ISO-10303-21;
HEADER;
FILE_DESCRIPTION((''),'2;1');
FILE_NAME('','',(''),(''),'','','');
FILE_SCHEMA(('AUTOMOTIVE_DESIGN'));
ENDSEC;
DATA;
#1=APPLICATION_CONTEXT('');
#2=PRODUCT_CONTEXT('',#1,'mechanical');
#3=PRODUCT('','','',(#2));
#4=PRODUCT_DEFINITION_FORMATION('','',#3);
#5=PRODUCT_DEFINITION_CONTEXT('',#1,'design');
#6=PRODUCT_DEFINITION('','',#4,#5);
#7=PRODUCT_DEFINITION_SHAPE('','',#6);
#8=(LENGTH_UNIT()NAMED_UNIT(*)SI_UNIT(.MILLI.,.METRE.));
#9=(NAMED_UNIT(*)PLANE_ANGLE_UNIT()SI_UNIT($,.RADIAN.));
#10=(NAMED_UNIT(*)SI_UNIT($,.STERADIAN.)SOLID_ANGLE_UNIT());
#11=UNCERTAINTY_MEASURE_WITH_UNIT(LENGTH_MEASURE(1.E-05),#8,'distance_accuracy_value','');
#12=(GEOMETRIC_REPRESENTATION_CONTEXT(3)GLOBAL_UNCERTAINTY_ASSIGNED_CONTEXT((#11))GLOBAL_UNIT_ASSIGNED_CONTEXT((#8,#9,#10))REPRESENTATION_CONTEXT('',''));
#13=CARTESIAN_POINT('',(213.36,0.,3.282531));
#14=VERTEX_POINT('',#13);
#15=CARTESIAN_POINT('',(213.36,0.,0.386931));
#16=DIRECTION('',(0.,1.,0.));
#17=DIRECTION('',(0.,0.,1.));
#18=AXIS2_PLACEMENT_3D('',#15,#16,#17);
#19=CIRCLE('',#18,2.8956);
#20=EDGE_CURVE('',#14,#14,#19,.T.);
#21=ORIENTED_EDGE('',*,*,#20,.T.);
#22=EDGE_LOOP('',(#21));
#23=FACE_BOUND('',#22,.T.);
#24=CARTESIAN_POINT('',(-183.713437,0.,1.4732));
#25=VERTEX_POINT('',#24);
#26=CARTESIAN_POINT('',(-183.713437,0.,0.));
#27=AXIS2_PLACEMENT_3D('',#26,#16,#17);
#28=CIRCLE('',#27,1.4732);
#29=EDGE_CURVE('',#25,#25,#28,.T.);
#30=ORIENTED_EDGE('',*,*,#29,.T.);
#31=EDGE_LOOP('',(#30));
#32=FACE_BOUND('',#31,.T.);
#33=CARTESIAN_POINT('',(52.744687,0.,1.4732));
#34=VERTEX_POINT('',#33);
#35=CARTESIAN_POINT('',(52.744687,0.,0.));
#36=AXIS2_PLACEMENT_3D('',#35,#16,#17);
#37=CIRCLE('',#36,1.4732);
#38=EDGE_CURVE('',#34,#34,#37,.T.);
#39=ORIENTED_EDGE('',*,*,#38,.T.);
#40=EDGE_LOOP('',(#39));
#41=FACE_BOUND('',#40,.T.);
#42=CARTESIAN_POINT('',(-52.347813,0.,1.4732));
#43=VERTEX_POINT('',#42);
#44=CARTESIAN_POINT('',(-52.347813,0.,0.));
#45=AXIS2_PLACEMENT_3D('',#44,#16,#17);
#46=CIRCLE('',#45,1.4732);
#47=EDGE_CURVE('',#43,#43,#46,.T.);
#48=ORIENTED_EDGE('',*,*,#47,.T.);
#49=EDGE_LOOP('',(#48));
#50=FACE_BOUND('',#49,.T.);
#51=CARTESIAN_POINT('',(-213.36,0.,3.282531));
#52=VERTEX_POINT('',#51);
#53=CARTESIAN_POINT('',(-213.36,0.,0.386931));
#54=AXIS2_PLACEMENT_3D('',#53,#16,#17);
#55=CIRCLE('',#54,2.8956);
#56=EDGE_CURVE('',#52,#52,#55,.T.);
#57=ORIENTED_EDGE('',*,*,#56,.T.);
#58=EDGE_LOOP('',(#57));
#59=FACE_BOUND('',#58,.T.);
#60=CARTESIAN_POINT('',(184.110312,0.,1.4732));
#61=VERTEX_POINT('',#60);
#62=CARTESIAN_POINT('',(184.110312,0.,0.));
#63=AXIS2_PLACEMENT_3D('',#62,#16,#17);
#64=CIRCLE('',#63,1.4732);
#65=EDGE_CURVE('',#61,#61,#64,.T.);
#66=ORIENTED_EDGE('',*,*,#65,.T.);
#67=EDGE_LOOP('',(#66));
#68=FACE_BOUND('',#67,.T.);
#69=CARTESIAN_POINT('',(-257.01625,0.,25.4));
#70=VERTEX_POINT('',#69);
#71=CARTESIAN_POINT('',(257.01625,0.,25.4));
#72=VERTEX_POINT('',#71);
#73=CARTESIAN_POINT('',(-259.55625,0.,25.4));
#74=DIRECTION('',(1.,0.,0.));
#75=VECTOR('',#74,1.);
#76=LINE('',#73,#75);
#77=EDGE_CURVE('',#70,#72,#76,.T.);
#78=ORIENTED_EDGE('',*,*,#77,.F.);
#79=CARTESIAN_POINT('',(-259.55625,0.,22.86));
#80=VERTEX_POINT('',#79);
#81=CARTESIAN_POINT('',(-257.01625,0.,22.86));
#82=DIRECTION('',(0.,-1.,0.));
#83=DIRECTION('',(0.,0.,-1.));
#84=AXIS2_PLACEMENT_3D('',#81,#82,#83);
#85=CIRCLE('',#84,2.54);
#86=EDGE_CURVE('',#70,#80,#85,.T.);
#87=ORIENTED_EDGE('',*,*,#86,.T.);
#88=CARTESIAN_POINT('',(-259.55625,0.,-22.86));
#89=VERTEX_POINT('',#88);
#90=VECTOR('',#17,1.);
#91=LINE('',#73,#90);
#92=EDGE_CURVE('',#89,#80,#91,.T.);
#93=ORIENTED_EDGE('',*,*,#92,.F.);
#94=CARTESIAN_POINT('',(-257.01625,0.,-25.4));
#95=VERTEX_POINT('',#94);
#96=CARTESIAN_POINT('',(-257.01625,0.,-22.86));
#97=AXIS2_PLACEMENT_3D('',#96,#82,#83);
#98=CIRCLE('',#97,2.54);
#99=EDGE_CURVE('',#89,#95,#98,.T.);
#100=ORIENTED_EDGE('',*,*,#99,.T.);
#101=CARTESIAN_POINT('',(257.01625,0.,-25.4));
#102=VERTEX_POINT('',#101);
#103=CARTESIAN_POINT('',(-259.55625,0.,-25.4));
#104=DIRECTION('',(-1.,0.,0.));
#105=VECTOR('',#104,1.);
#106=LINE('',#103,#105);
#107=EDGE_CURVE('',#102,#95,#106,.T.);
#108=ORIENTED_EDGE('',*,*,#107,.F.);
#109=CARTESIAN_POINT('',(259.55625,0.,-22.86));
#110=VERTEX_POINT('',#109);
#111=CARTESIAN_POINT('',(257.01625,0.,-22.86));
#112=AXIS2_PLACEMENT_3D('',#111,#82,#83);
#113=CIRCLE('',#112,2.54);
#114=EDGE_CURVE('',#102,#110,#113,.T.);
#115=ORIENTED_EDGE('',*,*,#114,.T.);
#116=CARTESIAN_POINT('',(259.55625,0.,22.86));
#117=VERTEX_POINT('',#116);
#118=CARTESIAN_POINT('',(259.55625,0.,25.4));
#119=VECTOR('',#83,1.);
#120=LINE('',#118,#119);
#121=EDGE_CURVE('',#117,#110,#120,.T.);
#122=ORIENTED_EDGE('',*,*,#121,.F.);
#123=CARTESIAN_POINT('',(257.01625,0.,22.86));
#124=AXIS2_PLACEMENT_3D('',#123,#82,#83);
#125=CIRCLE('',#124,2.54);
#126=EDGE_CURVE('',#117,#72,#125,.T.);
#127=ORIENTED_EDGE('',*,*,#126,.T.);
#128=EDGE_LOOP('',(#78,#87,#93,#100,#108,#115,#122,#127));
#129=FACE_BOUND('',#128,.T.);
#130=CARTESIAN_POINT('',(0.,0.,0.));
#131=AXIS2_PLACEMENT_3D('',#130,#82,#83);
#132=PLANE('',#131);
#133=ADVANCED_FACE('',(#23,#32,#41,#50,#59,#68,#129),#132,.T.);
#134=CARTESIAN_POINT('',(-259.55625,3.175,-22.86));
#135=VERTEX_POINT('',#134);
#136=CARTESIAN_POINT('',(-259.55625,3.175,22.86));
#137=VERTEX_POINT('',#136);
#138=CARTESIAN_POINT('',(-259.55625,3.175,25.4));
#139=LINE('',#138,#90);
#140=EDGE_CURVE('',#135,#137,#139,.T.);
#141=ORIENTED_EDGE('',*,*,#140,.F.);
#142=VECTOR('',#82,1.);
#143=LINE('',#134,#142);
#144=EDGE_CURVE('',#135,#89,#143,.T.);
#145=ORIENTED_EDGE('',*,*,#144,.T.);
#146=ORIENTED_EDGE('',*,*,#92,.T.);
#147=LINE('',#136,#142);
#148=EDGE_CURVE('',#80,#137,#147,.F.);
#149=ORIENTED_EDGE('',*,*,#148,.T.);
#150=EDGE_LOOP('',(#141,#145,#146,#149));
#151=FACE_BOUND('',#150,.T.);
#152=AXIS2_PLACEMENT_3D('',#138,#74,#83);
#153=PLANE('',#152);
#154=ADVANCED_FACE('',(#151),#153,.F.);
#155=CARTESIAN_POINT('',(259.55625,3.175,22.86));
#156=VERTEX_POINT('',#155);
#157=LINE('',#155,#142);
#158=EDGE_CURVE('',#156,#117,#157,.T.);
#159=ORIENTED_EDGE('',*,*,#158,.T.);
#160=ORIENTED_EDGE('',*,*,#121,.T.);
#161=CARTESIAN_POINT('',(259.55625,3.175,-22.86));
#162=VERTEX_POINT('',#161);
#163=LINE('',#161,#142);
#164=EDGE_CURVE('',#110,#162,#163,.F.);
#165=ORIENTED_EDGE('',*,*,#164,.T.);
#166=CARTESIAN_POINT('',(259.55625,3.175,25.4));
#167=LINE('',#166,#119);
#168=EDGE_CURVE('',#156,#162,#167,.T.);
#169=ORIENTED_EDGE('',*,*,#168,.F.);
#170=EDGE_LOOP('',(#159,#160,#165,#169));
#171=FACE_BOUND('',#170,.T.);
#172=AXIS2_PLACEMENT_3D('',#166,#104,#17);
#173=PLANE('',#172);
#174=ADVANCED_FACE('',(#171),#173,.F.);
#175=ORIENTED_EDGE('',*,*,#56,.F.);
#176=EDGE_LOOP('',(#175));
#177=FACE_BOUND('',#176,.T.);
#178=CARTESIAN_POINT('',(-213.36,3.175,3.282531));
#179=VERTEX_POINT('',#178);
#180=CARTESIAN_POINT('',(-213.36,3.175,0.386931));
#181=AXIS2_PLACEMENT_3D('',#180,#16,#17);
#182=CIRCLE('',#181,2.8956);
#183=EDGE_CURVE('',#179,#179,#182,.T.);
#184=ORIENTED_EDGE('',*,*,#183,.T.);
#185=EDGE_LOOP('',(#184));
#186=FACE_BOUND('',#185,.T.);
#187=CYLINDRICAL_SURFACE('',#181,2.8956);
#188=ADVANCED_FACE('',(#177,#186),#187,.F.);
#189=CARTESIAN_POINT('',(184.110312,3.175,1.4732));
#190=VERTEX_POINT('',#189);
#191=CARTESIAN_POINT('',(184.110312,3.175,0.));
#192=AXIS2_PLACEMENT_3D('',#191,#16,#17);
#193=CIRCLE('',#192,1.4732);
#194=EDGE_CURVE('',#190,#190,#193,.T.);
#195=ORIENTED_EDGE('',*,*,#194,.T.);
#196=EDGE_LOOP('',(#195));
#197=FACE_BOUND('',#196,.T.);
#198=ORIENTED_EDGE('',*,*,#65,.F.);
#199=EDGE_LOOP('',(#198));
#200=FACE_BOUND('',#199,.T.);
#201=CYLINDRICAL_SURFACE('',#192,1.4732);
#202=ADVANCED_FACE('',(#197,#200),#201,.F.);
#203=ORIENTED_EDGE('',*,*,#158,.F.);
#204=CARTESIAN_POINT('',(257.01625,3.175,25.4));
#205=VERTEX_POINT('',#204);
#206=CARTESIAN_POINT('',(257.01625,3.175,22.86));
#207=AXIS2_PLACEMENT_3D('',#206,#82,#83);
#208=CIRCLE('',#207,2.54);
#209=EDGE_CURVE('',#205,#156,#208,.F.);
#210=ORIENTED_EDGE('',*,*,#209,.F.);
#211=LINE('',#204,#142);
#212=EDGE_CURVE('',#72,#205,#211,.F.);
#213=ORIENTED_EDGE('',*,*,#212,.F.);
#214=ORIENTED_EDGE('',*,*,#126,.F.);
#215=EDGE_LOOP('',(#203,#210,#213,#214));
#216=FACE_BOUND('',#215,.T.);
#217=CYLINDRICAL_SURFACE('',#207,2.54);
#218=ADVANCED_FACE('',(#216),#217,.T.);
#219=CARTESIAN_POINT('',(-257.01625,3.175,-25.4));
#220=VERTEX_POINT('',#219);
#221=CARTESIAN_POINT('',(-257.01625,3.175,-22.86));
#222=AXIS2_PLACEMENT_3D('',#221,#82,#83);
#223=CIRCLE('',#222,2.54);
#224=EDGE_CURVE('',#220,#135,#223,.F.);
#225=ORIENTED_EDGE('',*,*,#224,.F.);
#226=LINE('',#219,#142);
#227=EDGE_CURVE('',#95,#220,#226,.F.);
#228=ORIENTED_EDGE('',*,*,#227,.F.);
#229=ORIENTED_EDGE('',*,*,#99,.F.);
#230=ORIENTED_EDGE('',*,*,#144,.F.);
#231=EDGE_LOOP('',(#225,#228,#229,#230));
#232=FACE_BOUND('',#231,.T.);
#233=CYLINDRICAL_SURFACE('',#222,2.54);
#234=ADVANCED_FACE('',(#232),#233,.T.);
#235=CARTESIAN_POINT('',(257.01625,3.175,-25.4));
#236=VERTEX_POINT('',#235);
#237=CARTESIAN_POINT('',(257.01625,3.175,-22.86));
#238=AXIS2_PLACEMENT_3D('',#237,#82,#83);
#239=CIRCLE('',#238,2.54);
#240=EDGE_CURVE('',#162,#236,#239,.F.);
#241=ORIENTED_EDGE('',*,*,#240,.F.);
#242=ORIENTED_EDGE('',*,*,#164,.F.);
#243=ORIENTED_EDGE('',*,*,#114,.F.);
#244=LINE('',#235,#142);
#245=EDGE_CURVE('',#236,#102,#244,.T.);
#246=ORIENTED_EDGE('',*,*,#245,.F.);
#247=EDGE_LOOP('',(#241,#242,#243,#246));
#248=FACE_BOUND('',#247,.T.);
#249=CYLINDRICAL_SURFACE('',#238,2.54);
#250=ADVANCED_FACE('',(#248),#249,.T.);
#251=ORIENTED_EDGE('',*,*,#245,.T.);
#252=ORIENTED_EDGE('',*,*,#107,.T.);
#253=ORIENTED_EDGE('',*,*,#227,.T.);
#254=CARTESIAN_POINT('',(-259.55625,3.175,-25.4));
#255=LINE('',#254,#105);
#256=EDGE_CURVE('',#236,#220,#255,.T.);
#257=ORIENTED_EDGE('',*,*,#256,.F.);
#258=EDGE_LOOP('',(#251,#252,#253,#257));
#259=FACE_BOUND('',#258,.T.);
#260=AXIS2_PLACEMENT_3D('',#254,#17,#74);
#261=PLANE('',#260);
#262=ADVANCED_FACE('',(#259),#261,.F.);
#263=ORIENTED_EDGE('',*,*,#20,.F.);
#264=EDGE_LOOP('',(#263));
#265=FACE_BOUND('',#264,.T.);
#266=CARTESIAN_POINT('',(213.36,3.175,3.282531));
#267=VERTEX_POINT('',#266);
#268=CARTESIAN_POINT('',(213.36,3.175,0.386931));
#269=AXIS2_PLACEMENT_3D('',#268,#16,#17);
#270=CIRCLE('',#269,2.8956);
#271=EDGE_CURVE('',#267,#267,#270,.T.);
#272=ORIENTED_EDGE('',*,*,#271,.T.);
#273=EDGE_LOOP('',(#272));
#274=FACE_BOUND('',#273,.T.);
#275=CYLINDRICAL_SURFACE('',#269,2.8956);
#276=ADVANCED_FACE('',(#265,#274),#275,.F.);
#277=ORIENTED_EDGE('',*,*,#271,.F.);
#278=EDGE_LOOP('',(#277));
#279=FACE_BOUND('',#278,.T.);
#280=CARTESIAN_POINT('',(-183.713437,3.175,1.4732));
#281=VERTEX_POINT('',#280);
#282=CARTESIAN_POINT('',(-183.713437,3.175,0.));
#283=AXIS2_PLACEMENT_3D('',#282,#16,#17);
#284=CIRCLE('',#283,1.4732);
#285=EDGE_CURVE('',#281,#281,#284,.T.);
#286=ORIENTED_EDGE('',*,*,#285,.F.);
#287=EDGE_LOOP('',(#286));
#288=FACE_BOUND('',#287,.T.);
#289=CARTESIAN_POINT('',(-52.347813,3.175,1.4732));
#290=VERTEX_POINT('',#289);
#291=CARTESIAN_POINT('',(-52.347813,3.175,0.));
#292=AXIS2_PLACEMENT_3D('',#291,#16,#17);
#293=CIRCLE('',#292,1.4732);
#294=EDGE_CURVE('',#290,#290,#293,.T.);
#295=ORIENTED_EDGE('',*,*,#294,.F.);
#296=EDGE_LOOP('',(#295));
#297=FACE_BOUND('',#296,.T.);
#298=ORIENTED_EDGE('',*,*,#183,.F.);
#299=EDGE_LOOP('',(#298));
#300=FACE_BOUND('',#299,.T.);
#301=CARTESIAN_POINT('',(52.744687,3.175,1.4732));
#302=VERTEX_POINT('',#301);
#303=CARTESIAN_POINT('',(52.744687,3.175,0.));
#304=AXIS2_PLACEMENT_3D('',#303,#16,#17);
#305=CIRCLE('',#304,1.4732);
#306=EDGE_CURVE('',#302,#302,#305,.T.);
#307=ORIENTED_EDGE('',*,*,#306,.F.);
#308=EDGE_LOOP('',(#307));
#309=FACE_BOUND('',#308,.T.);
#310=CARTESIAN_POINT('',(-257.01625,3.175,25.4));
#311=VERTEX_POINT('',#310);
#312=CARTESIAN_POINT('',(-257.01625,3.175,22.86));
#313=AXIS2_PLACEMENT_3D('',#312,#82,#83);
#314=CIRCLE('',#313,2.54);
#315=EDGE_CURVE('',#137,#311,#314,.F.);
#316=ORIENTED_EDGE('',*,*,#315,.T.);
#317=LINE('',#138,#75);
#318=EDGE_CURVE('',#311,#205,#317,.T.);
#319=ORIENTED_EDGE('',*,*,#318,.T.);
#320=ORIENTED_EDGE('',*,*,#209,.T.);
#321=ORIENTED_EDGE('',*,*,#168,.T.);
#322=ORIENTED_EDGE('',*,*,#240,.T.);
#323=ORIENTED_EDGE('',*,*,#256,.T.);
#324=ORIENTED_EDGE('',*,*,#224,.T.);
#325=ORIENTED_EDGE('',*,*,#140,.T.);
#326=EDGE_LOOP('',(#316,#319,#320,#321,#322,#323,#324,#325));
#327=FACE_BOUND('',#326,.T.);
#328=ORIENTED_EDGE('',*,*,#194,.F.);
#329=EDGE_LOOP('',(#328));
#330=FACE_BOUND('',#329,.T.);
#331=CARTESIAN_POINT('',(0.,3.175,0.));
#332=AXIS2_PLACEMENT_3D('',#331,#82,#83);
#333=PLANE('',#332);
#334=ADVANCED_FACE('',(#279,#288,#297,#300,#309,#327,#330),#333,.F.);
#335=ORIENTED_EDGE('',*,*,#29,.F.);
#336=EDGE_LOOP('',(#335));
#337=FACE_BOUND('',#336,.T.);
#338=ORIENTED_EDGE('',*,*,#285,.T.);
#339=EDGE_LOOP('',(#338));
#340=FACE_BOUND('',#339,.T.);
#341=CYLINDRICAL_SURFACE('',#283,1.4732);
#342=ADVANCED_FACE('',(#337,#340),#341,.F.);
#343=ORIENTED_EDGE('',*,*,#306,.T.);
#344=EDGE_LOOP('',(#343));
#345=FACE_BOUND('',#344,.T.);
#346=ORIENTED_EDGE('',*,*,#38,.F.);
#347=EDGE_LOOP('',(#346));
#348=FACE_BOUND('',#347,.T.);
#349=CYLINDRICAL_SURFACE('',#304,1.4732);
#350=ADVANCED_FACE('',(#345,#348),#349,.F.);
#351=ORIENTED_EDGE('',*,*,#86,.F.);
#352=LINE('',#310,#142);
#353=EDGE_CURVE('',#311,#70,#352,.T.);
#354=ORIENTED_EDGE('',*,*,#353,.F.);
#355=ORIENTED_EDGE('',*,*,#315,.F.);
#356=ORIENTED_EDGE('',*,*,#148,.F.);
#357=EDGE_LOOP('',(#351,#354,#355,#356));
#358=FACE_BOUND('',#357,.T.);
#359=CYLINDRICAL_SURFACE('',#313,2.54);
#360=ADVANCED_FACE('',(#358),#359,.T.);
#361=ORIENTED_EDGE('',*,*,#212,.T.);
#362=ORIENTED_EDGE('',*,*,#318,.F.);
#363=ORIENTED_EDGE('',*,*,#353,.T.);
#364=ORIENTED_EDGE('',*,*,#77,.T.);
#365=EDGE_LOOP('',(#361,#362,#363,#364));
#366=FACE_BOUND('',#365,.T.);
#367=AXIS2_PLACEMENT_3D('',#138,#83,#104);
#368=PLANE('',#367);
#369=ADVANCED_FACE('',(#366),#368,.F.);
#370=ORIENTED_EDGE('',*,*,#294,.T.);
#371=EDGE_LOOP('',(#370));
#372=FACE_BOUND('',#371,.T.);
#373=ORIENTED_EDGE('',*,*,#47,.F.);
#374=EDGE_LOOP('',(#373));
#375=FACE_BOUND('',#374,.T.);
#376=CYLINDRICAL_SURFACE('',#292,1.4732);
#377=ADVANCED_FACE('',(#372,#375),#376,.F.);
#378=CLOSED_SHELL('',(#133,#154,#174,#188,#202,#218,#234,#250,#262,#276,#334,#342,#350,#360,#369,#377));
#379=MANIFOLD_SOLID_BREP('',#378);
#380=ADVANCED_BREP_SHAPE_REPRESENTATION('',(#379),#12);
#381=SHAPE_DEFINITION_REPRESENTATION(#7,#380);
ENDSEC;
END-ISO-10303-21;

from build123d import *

# Parameters (mm, degrees)
SKETCH1_W                  = 519.1125
SKETCH1_H                  = 50.8
BOSS_EXTRUDE1_DEPTH        = 3.175
FILLET1_R                  = 2.54
F_4_CLEARANCE_HOLE1_D      = 2.9464
F_1_0_228_DIAMETER_HOLE1_D = 5.7912


with BuildPart() as part:
    # Sketch1 → Boss-Extrude1 (new body)
    with BuildSketch(Plane(origin=(0, 0, 0), x_dir=(1, 0, 0), z_dir=(0, 1, 0))):
        Rectangle(SKETCH1_W, SKETCH1_H)
    extrude(amount=BOSS_EXTRUDE1_DEPTH)

    # Fillet1
    fillet1_edges = [part.edges().sort_by_distance(p)[0] for p in [
        (259.55625, 1.5875, 25.4),
        (-259.55625, 1.5875, 25.4),
        (-259.55625, 1.5875, -25.4),
        (259.55625, 1.5875, -25.4),
    ]]
    fillet(fillet1_edges, radius=FILLET1_R)

    # #4 Clearance Hole1 (through all)
    with Locations(Plane(origin=(0, 3.175, 0), x_dir=(1, 0, 0), z_dir=(0, 1, 0))):
        with Locations((184.1103125, 0), (52.7446875, 0), (-52.3478125, 0), (-183.7134375, 0)):
            Hole(F_4_CLEARANCE_HOLE1_D / 2)

    # #1 (0.228) Diameter Hole1 (through all)
    with Locations(Plane(origin=(0, 3.175, 0), x_dir=(1, 0, 0), z_dir=(0, 1, 0))):
        with Locations((213.36, -0.3869309), (-213.36, -0.3869309)):
            Hole(F_1_0_228_DIAMETER_HOLE1_D / 2)


solid = part.part
